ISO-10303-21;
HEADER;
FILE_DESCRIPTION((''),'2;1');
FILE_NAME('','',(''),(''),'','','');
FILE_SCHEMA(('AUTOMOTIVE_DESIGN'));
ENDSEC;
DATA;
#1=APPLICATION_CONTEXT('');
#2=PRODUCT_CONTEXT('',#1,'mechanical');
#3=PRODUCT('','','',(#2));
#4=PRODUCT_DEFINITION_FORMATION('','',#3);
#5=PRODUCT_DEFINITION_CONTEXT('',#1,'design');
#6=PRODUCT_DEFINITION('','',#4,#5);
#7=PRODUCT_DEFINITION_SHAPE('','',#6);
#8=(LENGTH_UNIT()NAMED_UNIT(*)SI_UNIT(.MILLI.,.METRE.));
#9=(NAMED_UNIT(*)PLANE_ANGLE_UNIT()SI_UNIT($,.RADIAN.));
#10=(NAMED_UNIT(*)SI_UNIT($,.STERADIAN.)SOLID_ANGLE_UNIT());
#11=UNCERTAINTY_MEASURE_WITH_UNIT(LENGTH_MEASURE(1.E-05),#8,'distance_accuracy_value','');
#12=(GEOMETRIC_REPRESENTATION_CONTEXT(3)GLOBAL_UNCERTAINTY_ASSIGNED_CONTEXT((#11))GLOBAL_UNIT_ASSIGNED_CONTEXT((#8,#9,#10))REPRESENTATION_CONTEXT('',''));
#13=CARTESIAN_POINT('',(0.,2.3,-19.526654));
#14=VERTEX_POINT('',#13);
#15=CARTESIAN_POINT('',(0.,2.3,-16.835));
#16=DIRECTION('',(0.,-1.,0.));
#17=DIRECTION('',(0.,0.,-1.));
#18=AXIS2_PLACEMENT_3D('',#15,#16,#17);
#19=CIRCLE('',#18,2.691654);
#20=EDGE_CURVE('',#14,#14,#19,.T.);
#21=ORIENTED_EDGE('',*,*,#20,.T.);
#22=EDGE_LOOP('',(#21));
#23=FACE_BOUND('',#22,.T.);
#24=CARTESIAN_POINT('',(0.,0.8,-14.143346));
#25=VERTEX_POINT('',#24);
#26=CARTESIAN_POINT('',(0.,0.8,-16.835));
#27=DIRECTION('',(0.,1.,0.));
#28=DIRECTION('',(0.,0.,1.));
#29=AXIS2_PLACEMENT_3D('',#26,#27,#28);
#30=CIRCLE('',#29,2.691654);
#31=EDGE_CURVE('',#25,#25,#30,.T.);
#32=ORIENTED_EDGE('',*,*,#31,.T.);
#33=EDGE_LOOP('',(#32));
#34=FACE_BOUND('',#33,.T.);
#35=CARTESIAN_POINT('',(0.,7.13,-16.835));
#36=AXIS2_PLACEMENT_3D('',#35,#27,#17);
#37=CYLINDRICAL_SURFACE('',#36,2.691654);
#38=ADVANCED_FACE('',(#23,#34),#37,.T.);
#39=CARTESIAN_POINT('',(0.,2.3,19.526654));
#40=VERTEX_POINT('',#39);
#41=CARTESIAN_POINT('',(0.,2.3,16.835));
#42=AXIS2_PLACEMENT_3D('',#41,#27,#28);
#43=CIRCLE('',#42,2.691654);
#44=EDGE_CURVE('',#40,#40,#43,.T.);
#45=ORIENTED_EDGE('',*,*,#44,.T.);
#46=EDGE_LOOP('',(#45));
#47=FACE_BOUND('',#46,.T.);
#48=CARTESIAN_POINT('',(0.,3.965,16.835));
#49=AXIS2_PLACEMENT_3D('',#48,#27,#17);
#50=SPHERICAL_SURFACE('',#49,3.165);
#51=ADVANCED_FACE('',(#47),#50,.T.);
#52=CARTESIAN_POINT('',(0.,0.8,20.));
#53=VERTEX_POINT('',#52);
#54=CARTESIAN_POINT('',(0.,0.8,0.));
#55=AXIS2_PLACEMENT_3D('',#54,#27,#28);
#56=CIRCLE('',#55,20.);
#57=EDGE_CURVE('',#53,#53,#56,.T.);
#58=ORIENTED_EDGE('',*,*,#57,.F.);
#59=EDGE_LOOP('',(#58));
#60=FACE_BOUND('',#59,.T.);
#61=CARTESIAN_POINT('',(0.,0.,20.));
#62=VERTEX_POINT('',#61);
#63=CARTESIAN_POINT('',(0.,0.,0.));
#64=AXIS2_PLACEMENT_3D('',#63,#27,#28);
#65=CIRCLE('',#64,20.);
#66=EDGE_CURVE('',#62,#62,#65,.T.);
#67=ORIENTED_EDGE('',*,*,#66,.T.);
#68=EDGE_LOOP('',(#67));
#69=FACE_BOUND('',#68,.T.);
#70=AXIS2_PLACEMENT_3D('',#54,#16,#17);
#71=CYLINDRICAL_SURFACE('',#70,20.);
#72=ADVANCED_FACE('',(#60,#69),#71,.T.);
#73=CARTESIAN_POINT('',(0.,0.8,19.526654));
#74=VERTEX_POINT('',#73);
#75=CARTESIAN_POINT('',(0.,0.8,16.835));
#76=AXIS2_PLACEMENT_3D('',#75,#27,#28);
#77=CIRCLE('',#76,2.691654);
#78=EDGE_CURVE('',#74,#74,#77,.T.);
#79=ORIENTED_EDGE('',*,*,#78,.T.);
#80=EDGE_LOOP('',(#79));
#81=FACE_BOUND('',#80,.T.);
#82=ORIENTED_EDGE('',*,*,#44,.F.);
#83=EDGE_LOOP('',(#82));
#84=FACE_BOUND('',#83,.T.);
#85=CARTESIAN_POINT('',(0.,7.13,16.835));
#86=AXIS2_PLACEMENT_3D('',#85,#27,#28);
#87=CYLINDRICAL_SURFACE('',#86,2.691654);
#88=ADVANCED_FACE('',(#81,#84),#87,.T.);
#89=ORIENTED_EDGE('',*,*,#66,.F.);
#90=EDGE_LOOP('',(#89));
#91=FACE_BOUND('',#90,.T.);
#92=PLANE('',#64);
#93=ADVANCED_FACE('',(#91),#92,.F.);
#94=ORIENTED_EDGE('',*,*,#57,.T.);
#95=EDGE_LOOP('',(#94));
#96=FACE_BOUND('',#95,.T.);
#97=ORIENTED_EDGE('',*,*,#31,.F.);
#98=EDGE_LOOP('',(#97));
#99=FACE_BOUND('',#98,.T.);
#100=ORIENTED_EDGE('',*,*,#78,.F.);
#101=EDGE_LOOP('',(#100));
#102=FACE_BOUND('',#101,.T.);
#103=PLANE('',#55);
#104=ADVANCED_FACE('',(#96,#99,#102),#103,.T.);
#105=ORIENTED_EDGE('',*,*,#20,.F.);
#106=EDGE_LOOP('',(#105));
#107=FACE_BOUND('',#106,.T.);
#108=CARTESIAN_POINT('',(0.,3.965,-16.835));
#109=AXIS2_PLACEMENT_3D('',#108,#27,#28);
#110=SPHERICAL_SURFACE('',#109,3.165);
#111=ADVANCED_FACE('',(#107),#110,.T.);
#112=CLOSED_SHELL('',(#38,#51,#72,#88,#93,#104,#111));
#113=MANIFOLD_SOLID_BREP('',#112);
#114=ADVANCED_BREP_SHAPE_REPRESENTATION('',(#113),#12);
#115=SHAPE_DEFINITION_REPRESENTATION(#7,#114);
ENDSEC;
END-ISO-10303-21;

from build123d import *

# Parameters (mm, degrees)
SKETCH1_R = 20
PCB_DEPTH = 0.8


with BuildPart() as part:
    # Sketch1 → PCB (new body)
    with BuildSketch(Plane(origin=(0, 0, 0), x_dir=(1, 0, 0), z_dir=(0, 1, 0))):
        with Locations(Location((0, 0, 0), (0, 0, 270))):
            Circle(SKETCH1_R)
    extrude(amount=PCB_DEPTH)

    # Sketch3 → Revolve1 (revolve)
    with BuildSketch(Plane(origin=(0, 0, 0), x_dir=(0, 0, -1), z_dir=(1, 0, 0)), mode=Mode.PRIVATE) as revolve1_sk:
        with BuildLine():
            Line((-16.835, 7.13), (-16.835, 0.8))
            Line((-16.835, 0.8), (-19.526653767, 0.8))
            Line((-19.526653767, 0.8), (-19.526653767, 2.3))
            ThreePointArc((-19.526653767, 2.3), (-19.599683526, 5.505697894), (-16.835, 7.13))
        make_face()
    revolve1 = revolve(revolve1_sk.sketch.rotate(Axis((0, 7.13, 16.835), (0, -1, 0)), 180), axis=Axis((0, 7.13, 16.835), (0, -1, 0)))

    # Mirror1: Revolve1 across plane
    add(revolve1.mirror(Plane.XY))


solid = part.part
